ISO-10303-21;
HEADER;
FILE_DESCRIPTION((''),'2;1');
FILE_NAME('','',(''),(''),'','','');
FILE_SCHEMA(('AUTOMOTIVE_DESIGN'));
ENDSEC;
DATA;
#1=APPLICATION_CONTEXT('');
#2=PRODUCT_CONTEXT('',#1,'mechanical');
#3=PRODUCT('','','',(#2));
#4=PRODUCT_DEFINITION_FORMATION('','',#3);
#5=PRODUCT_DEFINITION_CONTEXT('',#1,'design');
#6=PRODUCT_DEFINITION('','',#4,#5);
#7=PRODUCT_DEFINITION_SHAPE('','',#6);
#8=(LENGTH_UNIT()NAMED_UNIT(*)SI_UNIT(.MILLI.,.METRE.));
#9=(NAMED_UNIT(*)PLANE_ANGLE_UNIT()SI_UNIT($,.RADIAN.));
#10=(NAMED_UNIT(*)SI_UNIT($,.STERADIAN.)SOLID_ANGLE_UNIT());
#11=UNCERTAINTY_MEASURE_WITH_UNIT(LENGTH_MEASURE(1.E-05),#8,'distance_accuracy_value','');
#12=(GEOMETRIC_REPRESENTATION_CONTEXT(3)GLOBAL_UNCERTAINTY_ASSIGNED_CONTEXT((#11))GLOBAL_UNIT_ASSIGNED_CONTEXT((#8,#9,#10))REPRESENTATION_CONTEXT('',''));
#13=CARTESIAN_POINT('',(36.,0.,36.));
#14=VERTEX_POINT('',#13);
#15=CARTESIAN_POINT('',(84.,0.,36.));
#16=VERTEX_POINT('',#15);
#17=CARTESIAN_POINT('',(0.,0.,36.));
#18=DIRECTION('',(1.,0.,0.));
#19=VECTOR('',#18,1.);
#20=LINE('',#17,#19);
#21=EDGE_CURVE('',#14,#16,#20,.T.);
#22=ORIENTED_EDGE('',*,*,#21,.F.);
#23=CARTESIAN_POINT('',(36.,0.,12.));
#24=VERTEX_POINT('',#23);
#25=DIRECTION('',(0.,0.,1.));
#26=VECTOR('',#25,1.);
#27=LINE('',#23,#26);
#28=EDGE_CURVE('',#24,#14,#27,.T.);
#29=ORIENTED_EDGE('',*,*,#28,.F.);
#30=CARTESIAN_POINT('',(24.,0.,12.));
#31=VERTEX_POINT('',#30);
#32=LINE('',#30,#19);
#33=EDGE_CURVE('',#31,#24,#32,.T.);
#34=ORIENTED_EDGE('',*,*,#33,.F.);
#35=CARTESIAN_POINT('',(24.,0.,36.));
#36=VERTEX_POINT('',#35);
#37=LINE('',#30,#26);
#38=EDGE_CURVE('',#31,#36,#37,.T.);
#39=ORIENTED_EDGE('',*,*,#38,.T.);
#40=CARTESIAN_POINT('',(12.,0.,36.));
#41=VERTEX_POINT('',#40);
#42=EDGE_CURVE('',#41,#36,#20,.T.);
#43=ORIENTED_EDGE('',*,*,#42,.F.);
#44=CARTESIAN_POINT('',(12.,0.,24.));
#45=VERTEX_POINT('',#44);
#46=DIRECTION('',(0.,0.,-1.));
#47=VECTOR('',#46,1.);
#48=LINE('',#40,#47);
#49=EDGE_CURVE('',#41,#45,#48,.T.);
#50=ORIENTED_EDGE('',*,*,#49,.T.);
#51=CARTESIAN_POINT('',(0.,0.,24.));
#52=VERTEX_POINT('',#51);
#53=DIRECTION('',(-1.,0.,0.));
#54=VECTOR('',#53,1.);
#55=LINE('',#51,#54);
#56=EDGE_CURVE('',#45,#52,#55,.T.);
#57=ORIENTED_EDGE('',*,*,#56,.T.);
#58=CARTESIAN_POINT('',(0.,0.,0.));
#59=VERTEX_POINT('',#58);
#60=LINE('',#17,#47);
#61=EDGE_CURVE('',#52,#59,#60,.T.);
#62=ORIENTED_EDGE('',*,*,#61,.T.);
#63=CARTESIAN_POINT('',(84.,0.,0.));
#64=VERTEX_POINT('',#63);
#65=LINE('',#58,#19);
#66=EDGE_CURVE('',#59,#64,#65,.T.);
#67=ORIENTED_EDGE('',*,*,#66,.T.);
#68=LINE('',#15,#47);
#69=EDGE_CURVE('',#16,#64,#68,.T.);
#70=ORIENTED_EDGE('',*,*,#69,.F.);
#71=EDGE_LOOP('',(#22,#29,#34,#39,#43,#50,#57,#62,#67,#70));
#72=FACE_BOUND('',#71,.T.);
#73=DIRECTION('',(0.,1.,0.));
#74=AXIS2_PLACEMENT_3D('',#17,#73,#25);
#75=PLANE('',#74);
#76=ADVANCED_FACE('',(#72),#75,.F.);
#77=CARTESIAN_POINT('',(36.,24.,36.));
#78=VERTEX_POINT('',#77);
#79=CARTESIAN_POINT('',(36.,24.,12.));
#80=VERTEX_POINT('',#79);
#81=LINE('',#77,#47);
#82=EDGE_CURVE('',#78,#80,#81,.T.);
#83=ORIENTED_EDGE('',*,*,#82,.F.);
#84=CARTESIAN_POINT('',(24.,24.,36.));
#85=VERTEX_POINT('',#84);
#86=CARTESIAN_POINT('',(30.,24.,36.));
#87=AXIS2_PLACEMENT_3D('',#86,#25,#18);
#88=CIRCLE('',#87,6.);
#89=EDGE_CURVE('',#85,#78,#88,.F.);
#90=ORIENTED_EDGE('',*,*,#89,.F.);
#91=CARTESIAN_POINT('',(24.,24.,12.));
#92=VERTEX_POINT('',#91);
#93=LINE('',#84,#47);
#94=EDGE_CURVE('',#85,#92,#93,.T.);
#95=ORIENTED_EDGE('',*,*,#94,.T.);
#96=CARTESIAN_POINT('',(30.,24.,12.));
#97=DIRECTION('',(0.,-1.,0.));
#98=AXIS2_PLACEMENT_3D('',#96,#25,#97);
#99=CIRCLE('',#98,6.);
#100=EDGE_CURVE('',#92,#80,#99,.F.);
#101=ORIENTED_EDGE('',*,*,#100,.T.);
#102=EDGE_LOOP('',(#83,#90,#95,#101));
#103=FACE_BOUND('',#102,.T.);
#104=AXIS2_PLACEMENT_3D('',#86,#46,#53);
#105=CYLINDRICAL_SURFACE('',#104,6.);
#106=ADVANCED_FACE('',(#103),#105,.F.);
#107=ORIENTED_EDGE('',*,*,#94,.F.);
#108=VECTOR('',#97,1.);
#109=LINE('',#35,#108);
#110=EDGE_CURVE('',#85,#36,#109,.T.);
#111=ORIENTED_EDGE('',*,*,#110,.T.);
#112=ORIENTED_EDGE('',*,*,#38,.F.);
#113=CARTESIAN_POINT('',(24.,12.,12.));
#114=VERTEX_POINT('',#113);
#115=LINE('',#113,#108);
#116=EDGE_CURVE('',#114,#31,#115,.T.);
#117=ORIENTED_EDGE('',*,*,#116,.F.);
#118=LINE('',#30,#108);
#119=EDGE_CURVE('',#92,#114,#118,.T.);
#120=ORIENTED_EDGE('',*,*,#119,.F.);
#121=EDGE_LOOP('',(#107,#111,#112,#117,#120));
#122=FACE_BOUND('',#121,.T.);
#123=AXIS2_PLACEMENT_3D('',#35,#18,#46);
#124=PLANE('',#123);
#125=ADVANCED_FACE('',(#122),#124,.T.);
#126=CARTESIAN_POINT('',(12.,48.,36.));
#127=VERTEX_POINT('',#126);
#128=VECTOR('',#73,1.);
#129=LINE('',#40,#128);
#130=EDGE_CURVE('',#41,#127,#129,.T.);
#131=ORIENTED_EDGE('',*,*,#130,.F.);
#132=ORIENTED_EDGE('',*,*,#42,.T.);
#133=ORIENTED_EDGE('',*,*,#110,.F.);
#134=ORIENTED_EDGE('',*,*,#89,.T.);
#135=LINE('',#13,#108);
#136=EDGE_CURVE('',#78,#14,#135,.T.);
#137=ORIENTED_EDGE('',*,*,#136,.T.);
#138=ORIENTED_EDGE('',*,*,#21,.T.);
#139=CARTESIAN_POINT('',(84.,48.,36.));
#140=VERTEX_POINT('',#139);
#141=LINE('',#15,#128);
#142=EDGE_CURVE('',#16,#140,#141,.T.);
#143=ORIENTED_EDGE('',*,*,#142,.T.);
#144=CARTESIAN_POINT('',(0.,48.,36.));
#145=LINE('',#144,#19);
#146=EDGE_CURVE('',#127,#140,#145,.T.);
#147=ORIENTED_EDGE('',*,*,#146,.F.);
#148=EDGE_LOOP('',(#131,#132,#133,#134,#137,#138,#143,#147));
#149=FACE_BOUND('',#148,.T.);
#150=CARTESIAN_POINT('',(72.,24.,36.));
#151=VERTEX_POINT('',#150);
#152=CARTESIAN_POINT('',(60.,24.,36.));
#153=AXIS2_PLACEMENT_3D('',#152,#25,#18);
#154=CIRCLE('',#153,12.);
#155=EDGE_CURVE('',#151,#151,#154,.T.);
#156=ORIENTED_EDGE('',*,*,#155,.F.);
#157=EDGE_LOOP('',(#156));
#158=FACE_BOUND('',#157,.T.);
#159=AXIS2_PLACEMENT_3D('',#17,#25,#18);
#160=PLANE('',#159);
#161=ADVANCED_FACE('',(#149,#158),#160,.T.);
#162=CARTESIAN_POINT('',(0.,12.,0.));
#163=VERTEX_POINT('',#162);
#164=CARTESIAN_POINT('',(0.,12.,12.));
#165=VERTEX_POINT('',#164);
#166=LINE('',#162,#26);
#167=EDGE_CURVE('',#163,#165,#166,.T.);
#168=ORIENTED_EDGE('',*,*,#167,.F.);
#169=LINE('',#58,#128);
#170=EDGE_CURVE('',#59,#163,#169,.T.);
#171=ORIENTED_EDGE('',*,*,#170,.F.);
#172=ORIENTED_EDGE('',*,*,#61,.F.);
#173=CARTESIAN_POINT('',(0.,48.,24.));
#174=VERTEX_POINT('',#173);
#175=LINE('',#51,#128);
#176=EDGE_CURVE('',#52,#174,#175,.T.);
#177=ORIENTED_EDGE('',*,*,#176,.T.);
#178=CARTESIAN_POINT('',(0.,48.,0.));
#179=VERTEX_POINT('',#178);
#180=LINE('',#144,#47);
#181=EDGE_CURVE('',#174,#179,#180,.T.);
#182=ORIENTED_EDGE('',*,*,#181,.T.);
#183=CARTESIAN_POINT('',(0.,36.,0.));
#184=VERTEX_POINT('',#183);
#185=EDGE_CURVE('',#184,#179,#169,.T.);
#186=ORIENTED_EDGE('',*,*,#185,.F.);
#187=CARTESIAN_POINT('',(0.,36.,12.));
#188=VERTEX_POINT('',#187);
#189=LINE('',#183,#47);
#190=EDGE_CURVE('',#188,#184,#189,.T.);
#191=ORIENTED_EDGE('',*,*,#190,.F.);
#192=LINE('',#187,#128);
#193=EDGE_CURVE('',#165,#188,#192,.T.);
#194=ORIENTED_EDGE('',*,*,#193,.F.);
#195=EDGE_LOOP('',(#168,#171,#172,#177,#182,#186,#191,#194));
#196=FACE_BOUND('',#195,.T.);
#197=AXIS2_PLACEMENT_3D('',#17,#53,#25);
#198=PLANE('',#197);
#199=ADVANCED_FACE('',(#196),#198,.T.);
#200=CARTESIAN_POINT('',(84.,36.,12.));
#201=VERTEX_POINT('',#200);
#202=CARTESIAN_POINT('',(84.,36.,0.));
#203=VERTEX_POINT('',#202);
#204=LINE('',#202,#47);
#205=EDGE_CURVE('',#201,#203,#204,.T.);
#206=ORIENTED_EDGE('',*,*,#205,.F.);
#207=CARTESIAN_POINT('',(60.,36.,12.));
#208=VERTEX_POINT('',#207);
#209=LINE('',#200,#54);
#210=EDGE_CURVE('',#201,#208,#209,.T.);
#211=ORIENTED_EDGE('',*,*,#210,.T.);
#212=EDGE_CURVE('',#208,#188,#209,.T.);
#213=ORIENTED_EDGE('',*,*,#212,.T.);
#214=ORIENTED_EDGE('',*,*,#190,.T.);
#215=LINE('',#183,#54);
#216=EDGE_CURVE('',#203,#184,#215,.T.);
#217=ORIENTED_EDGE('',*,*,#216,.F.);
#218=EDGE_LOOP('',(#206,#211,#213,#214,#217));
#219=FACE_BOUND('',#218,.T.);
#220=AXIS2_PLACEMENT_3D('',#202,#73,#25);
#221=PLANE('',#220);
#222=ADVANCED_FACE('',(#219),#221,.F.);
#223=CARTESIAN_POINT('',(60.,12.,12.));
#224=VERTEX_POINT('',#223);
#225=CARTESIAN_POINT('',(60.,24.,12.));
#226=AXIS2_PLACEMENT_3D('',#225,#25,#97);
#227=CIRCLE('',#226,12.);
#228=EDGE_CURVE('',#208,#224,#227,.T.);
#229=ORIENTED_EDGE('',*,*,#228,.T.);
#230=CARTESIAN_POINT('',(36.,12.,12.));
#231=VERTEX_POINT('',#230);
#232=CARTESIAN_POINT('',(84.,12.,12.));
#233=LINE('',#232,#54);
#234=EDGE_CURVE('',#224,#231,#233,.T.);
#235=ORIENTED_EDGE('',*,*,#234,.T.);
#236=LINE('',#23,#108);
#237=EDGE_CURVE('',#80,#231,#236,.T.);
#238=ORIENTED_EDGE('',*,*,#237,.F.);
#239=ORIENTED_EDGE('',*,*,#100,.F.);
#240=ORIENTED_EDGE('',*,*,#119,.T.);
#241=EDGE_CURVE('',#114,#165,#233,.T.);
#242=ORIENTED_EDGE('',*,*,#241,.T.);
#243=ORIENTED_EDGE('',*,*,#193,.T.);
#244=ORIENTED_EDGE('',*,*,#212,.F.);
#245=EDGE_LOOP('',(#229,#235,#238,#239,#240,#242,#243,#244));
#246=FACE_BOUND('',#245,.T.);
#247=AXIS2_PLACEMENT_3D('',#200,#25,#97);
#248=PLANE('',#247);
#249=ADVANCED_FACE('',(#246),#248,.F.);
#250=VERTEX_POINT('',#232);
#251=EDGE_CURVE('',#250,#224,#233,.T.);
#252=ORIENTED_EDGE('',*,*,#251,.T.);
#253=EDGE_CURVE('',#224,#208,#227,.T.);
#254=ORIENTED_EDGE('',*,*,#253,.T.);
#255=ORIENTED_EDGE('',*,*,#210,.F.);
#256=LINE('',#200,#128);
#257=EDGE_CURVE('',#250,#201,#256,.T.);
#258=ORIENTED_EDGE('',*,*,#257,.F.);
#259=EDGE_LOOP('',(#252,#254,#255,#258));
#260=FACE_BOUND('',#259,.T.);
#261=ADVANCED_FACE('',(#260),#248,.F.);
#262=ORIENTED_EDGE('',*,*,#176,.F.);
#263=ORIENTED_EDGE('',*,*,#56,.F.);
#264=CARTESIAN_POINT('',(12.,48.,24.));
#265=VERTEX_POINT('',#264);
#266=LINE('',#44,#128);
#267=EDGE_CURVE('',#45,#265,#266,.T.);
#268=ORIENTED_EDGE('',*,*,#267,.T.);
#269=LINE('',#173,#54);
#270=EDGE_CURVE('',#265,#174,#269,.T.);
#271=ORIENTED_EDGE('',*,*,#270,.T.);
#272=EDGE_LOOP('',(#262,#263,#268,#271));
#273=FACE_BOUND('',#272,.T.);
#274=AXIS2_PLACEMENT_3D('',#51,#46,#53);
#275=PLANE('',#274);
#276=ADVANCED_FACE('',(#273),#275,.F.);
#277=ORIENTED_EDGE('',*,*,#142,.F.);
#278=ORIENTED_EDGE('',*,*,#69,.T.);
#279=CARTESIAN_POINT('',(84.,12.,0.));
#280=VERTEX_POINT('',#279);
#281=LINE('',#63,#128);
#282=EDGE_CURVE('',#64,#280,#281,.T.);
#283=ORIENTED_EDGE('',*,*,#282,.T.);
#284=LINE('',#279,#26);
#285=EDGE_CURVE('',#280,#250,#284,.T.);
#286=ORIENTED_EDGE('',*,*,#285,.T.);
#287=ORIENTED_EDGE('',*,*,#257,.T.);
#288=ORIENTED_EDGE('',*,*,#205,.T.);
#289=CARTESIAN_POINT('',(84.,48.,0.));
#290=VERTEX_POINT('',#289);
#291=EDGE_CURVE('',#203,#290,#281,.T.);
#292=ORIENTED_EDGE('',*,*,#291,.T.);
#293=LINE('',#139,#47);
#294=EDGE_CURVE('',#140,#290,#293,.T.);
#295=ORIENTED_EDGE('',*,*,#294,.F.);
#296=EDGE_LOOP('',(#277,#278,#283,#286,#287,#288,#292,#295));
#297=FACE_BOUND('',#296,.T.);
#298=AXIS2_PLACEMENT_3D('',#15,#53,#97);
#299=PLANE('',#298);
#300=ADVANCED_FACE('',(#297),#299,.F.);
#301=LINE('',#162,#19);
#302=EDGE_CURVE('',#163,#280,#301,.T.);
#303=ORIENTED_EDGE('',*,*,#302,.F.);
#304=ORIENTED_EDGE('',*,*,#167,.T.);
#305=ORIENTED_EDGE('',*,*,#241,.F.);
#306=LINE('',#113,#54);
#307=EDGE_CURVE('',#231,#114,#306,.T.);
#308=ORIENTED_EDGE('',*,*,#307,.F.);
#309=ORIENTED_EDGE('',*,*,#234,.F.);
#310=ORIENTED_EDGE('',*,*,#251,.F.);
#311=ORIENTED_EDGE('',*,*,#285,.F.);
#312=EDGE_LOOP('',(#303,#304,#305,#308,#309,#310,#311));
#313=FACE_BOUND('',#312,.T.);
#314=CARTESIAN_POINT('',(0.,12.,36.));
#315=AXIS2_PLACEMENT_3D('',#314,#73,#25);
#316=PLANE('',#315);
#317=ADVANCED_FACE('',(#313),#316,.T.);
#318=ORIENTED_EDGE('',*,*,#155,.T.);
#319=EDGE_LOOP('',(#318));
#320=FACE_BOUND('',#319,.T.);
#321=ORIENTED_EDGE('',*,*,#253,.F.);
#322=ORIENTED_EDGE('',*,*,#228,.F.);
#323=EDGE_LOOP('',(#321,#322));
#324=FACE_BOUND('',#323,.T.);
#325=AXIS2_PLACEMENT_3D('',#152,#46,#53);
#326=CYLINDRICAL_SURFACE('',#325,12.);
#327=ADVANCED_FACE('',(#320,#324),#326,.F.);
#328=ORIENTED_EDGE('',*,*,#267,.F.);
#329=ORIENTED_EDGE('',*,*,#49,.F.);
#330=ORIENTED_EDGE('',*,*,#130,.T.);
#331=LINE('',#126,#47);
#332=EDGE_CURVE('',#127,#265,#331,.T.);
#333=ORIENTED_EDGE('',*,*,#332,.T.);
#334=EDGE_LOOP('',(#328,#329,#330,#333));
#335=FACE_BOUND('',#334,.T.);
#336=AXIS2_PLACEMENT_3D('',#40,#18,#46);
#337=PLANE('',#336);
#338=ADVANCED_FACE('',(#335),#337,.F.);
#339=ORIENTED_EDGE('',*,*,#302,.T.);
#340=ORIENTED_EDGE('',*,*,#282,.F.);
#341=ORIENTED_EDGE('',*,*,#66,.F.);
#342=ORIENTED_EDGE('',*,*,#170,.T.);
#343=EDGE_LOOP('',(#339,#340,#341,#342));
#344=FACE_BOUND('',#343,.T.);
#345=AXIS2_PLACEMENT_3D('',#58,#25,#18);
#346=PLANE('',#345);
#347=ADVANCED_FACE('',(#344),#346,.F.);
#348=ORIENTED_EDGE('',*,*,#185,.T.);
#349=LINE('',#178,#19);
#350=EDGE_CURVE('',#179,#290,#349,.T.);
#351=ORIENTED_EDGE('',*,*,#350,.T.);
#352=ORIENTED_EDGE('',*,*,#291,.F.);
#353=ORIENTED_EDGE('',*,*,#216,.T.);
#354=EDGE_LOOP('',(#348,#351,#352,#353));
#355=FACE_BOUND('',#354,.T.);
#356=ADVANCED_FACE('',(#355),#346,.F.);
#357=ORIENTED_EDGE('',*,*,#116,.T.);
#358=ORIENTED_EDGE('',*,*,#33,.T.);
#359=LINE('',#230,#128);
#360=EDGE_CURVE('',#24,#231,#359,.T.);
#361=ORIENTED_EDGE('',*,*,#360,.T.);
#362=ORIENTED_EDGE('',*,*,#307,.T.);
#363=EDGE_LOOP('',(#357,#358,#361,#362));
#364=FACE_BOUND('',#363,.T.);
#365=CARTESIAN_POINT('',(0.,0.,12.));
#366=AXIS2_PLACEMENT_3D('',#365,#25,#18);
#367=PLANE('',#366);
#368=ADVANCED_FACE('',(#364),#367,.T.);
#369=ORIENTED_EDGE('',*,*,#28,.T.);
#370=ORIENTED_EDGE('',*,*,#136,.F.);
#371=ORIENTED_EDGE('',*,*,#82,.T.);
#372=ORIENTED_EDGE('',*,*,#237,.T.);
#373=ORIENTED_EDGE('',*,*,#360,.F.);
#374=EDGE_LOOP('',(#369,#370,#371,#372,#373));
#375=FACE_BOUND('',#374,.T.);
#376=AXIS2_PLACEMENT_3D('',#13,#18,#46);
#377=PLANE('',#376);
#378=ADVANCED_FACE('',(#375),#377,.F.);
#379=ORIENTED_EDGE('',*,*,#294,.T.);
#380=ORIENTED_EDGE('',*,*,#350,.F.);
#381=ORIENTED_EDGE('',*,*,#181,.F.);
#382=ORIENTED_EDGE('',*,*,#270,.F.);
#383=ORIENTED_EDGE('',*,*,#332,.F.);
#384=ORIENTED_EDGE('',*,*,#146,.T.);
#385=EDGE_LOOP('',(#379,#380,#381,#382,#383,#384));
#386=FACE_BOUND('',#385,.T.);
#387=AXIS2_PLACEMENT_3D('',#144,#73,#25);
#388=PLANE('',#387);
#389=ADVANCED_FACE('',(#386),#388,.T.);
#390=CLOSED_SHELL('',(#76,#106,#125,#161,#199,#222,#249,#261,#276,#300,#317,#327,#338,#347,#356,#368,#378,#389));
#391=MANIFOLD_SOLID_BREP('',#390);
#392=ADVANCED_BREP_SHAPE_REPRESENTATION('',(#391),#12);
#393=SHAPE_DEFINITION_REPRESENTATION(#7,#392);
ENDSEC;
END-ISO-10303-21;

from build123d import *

# Parameters (mm, degrees)
SKETCH1_W           = 84
SKETCH1_H           = 48
SKETCH1_R           = 12
BOSS_EXTRUDE1_DEPTH = 36
SKETCH2_W           = 12
SKETCH2_H           = 12
CUT_EXTRUDE1_DEPTH  = 49
SKETCH3_W           = 12
SKETCH3_H           = 24
CUT_EXTRUDE2_DEPTH  = 85
SKETCH5_W           = 12
SKETCH5_H           = 12
CUT_EXTRUDE4_DEPTH  = 24


with BuildPart() as part:
    # Sketch1 → Boss-Extrude1 (new body)
    with BuildSketch(Plane.XY):
        with Locations((42, 24)):
            Rectangle(SKETCH1_W, SKETCH1_H)
        with BuildLine():
            Line((36, 24), (36, 12))
            Line((36, 12), (24, 12))
            Line((24, 12), (24, 24))
            ThreePointArc((24, 24), (30, 30.000000202), (36, 24))
        make_face(mode=Mode.SUBTRACT)
        with Locations((60, 24)):
            Circle(SKETCH1_R, mode=Mode.SUBTRACT)
    extrude(amount=BOSS_EXTRUDE1_DEPTH)

    # Sketch2 → Cut-Extrude1 (cut, through all)
    with BuildSketch(Plane(origin=(0, 48, 0), x_dir=(1, 0, 0), z_dir=(0, 1, 0))):
        with Locations((6, -30)):
            Rectangle(SKETCH2_W, SKETCH2_H)
    extrude(amount=-CUT_EXTRUDE1_DEPTH, mode=Mode.SUBTRACT)

    # Sketch3 → Cut-Extrude2 (cut, through all)
    with BuildSketch(Plane.ZY):
        with Locations((6, 24)):
            Rectangle(SKETCH3_W, SKETCH3_H)
    extrude(amount=-CUT_EXTRUDE2_DEPTH, mode=Mode.SUBTRACT)

    # Sketch5 → Cut-Extrude4 (cut)
    with BuildSketch(Plane.XY.offset(36)):
        with Locations((30, 6)):
            Rectangle(SKETCH5_W, SKETCH5_H)
    extrude(amount=-CUT_EXTRUDE4_DEPTH, mode=Mode.SUBTRACT)


solid = part.part
